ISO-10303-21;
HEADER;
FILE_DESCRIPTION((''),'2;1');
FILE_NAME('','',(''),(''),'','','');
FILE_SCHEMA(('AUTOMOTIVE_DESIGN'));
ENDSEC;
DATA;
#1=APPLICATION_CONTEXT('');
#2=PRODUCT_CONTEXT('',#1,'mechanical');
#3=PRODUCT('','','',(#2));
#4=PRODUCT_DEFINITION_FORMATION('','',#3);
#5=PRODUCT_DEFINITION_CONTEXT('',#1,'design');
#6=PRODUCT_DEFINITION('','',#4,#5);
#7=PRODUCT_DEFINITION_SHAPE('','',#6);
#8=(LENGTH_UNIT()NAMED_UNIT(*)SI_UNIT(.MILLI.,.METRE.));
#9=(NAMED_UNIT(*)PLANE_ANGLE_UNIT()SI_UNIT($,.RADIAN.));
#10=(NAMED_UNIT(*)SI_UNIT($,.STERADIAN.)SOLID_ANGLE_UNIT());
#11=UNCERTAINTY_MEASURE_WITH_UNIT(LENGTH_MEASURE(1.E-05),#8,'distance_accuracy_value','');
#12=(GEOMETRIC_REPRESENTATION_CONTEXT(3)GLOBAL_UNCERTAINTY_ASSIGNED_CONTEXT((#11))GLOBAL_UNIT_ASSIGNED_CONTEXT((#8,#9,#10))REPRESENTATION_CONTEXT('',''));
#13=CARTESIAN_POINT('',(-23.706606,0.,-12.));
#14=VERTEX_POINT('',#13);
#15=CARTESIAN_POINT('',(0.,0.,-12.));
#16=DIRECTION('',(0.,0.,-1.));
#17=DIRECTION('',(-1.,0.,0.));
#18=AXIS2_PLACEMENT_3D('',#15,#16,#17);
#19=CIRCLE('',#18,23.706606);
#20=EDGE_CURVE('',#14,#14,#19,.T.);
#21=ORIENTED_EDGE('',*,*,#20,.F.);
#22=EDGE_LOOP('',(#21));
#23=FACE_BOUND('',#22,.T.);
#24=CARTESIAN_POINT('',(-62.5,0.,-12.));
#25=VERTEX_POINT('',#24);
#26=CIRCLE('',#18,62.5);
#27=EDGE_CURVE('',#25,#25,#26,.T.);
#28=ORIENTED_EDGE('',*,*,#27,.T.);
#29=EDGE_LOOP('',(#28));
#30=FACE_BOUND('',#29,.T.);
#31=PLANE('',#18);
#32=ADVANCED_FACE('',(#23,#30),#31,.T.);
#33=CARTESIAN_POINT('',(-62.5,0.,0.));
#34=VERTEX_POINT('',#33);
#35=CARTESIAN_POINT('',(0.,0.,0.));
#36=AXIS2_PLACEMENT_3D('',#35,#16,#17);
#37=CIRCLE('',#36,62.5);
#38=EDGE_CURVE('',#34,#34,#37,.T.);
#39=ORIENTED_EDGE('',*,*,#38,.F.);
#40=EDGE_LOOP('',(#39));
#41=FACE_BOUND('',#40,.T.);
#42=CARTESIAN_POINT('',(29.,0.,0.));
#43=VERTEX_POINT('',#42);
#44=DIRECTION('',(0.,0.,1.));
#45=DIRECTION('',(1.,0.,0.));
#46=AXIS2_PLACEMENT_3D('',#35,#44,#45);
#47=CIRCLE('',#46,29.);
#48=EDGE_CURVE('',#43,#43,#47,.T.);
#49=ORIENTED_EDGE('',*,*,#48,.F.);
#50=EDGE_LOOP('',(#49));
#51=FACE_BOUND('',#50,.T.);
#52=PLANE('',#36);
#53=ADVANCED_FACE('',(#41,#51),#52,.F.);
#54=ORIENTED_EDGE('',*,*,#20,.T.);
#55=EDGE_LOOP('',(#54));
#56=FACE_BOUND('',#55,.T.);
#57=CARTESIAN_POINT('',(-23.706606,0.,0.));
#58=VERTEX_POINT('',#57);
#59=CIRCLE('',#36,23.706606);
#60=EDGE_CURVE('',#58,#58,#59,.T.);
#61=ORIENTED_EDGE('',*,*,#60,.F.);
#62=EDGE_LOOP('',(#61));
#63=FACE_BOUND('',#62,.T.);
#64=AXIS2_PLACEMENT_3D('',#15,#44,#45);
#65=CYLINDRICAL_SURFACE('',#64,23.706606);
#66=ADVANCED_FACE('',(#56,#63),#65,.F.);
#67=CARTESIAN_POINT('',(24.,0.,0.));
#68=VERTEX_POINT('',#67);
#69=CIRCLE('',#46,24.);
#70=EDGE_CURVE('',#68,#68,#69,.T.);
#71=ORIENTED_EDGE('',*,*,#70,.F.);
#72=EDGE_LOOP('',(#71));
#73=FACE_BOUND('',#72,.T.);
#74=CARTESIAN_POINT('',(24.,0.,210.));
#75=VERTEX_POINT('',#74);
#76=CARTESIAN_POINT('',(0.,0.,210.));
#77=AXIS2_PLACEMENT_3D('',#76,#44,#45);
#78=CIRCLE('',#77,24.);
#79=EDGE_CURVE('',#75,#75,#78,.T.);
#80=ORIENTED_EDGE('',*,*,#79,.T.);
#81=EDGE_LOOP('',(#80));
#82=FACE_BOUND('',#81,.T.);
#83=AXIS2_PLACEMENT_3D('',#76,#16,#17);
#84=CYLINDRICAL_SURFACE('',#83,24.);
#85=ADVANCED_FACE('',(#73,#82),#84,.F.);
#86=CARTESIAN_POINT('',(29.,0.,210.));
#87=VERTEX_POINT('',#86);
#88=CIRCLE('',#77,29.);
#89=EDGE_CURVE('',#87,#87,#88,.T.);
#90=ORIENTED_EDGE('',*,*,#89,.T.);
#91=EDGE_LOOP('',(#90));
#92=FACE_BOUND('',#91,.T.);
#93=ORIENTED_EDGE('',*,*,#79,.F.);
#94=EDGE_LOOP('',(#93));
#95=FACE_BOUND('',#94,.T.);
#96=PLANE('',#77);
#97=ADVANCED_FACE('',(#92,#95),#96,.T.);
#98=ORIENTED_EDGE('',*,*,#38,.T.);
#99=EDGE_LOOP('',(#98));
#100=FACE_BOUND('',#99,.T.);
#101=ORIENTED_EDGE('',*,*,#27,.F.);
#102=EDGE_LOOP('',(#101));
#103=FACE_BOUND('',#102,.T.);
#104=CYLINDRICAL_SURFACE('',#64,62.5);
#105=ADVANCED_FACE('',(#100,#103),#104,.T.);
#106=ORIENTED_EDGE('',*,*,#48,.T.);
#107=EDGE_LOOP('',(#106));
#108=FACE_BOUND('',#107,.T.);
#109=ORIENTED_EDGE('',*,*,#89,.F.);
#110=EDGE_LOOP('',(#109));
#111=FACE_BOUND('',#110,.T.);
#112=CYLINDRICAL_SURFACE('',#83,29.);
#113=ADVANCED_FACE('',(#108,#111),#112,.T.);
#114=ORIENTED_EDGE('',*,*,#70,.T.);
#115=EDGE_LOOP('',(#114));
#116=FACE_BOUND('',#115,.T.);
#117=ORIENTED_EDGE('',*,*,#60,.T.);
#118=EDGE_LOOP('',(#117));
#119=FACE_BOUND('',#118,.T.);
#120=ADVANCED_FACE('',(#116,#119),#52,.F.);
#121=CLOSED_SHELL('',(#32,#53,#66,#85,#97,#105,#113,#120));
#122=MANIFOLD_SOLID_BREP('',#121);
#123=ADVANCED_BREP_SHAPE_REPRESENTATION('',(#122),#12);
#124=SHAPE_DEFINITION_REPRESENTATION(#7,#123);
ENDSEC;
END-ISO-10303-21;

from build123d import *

# Parameters (mm, degrees)
SKETCH1_R           = 29
SKETCH1_R_2         = 24
BOSS_EXTRUDE1_DEPTH = 210
SKETCH2_R           = 62.5
SKETCH2_R_2         = 23.706605619
BOSS_EXTRUDE2_DEPTH = 12


with BuildPart() as part:
    # Sketch1 → Boss-Extrude1 (new body)
    with BuildSketch(Plane.XY):
        Circle(SKETCH1_R)
        Circle(SKETCH1_R_2, mode=Mode.SUBTRACT)
    extrude(amount=BOSS_EXTRUDE1_DEPTH)

    # Sketch2 → Boss-Extrude2 (add)
    with BuildSketch(Plane(origin=(0, 0, 0), x_dir=(-1, 0, 0), z_dir=(0, 0, -1))):
        Circle(SKETCH2_R)
        Circle(SKETCH2_R_2, mode=Mode.SUBTRACT)
    extrude(amount=BOSS_EXTRUDE2_DEPTH)


solid = part.part
